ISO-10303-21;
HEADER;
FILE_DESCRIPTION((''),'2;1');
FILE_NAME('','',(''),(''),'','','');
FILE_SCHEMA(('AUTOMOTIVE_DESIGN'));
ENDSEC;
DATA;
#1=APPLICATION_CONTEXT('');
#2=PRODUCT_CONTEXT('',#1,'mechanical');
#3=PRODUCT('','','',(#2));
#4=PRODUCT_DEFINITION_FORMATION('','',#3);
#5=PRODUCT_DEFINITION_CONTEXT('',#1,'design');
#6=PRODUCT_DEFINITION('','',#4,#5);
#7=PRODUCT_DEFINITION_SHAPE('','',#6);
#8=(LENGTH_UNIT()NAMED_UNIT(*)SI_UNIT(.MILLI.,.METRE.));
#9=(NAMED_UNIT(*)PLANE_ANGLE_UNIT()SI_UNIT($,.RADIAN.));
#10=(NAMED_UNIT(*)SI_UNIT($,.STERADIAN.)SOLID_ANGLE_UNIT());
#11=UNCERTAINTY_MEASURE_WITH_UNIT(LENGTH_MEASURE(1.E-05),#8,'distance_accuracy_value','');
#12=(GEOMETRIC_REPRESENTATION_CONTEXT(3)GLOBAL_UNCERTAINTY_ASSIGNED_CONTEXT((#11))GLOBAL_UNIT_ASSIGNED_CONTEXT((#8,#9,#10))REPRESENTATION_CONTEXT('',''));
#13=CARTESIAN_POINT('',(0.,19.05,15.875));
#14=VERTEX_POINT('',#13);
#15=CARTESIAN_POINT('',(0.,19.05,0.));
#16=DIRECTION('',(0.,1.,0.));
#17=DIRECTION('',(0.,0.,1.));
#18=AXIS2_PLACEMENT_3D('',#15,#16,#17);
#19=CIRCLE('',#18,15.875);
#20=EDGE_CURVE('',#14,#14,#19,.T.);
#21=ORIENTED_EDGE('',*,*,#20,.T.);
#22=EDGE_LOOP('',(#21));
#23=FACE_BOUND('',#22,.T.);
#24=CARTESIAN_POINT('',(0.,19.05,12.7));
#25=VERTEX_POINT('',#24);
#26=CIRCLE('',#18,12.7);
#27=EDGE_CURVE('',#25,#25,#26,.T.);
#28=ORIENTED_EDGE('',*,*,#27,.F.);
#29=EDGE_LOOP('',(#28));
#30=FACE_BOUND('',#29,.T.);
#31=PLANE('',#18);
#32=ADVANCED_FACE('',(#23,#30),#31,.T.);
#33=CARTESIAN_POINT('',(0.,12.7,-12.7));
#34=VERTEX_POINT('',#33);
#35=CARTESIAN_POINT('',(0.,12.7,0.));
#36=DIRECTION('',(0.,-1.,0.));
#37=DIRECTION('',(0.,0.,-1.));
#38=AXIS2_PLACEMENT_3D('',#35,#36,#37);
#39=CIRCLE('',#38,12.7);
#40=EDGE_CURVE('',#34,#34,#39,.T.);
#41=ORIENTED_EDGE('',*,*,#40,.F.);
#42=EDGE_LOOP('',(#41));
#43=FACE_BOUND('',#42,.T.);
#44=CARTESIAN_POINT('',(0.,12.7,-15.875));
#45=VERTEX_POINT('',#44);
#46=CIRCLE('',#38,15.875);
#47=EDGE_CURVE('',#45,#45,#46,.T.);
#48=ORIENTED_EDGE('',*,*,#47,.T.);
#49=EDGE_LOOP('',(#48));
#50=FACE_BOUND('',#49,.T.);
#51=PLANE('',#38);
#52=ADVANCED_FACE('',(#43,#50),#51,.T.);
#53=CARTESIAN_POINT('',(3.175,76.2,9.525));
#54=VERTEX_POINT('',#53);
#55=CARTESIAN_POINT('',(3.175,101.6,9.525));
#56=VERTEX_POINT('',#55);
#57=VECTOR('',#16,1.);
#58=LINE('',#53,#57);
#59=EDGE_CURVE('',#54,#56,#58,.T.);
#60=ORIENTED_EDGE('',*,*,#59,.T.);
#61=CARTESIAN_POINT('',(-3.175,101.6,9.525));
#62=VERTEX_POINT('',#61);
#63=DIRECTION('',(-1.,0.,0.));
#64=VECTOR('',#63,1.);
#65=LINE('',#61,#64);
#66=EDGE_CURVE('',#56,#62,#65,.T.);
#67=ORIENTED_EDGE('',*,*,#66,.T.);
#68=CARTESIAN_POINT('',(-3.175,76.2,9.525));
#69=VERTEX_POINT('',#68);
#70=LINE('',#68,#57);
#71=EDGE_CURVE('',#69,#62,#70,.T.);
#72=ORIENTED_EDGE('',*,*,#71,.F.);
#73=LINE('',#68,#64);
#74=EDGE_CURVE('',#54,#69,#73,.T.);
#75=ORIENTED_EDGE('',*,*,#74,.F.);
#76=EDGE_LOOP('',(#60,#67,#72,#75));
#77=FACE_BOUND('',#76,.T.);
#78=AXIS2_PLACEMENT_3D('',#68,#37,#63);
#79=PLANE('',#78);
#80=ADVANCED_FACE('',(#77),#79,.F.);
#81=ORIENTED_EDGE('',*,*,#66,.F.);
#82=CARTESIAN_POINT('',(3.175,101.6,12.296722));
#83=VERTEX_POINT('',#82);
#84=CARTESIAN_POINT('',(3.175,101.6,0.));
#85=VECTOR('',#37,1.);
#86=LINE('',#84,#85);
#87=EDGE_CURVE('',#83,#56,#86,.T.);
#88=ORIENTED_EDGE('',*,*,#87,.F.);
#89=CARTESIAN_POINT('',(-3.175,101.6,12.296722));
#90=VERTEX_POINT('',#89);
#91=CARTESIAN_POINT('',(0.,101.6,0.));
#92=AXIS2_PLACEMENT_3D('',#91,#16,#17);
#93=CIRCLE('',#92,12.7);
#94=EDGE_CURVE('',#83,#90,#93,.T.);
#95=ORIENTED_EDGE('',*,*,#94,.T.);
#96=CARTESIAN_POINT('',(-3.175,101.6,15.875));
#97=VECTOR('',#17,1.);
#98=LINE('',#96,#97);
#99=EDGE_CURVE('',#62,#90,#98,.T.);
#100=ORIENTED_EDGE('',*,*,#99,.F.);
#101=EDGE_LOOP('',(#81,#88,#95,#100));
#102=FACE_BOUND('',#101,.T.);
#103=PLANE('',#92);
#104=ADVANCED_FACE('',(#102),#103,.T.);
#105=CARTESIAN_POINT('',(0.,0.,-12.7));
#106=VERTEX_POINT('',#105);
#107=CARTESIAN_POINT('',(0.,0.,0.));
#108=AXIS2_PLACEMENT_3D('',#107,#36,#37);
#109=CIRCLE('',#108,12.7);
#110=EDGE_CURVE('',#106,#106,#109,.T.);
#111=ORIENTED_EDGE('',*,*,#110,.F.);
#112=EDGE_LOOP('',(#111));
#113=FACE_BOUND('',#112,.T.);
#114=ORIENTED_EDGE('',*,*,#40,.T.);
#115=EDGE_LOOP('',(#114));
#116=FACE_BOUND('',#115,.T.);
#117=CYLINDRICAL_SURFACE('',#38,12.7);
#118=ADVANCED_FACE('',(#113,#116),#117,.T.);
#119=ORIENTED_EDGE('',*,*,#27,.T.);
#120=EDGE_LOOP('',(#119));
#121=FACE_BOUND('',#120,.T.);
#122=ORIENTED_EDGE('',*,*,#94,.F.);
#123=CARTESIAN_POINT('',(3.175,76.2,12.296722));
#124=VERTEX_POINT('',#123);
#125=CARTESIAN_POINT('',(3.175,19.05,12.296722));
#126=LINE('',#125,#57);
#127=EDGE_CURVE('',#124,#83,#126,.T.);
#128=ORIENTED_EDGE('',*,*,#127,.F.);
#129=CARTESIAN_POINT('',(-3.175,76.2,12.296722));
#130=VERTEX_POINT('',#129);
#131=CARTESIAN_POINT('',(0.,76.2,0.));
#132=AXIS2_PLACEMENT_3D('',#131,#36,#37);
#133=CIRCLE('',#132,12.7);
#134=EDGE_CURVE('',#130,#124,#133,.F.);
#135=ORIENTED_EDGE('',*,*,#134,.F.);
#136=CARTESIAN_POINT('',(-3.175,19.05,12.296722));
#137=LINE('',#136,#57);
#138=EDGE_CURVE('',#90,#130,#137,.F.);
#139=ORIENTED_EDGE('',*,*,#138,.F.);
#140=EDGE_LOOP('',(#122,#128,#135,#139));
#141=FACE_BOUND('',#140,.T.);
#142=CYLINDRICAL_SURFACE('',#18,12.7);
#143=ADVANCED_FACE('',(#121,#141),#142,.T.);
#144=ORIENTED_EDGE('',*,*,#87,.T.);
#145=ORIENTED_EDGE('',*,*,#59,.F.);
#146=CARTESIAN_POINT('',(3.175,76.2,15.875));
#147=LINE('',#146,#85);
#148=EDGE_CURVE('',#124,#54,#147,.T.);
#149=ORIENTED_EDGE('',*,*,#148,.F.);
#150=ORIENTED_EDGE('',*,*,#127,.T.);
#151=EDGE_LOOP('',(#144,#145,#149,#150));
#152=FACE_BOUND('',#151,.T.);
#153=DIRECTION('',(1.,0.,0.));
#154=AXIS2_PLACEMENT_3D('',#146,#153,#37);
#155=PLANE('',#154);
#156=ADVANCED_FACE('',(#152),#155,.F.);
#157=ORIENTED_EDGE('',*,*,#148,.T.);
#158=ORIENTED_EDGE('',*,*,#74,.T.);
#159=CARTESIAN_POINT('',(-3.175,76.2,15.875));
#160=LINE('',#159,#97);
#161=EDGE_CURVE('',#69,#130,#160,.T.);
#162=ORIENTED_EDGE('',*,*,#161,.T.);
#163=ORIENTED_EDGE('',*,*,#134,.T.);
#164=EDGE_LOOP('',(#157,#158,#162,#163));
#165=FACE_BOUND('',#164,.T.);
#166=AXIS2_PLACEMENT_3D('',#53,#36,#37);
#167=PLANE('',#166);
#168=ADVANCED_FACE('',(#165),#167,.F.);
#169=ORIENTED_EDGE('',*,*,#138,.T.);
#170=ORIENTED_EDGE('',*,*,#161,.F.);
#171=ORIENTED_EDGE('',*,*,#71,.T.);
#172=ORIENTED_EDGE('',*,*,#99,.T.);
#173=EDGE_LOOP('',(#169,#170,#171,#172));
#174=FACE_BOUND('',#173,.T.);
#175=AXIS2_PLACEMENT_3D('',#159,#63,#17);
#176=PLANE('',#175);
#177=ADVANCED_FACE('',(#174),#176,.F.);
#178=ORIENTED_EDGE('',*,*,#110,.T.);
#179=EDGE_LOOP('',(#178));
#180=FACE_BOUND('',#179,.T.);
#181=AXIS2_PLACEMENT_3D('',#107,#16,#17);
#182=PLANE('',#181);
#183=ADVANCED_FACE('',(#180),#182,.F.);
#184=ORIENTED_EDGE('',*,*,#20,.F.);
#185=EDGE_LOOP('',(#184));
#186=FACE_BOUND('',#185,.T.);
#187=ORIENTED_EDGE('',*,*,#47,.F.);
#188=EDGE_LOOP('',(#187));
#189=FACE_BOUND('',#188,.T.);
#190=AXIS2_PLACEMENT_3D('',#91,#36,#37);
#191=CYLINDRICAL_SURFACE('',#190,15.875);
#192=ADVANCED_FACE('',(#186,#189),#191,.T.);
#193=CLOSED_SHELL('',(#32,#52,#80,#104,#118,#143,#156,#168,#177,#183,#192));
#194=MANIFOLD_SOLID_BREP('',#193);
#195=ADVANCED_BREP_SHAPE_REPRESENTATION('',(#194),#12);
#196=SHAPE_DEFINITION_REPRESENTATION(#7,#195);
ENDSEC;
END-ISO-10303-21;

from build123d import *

# Parameters (mm, degrees)
SKETCH1_R           = 15.875
BOSS_EXTRUDE1_DEPTH = 101.6
SKETCH2_OUTSIDE_W   = 55.966
SKETCH2_OUTSIDE_H   = 55.966
SKETCH2_OUTSIDE_R   = 12.7
CUT_EXTRUDE1_DEPTH  = 82.55
SKETCH3_W           = 6.35
SKETCH3_H           = 6.35
CUT_EXTRUDE2_DEPTH  = 25.4
SKETCH4_OUTSIDE_W   = 55.966
SKETCH4_OUTSIDE_H   = 55.966
SKETCH4_OUTSIDE_R   = 12.7
CUT_EXTRUDE3_DEPTH  = 12.7


with BuildPart() as part:
    # Sketch1 → Boss-Extrude1 (new body)
    with BuildSketch(Plane(origin=(0, 0, 0), x_dir=(1, 0, 0), z_dir=(0, 1, 0))):
        with Locations(Location((0, 0, 0), (0, 0, 270))):  # turned: the seam where the file's is
            Circle(SKETCH1_R)
    extrude(amount=BOSS_EXTRUDE1_DEPTH)

    # Sketch2 outside → Cut-Extrude1 (cut)
    with BuildSketch(Plane(origin=(0, 101.6, 0), x_dir=(1, 0, 0), z_dir=(0, 1, 0))):
        Rectangle(SKETCH2_OUTSIDE_W, SKETCH2_OUTSIDE_H)
        with Locations(Location((0, 0, 0), (0, 0, 270))):  # turned: the seam where the file's is
            Circle(SKETCH2_OUTSIDE_R, mode=Mode.SUBTRACT)
    extrude(amount=-CUT_EXTRUDE1_DEPTH, mode=Mode.SUBTRACT)

    # Sketch3 → Cut-Extrude2 (cut)
    with BuildSketch(Plane(origin=(0, 101.6, 0), x_dir=(1, 0, 0), z_dir=(0, 1, 0))):
        with Locations((0, -12.7)):
            Rectangle(SKETCH3_W, SKETCH3_H)
    extrude(amount=-CUT_EXTRUDE2_DEPTH, mode=Mode.SUBTRACT)

    # Sketch4 outside → Cut-Extrude3 (cut)
    with BuildSketch(Plane.XZ):
        Rectangle(SKETCH4_OUTSIDE_W, SKETCH4_OUTSIDE_H)
        with Locations(Location((0, 0, 0), (0, 0, 90))):  # turned: the seam where the file's is
            Circle(SKETCH4_OUTSIDE_R, mode=Mode.SUBTRACT)
    extrude(amount=-CUT_EXTRUDE3_DEPTH, mode=Mode.SUBTRACT)


solid = part.part
